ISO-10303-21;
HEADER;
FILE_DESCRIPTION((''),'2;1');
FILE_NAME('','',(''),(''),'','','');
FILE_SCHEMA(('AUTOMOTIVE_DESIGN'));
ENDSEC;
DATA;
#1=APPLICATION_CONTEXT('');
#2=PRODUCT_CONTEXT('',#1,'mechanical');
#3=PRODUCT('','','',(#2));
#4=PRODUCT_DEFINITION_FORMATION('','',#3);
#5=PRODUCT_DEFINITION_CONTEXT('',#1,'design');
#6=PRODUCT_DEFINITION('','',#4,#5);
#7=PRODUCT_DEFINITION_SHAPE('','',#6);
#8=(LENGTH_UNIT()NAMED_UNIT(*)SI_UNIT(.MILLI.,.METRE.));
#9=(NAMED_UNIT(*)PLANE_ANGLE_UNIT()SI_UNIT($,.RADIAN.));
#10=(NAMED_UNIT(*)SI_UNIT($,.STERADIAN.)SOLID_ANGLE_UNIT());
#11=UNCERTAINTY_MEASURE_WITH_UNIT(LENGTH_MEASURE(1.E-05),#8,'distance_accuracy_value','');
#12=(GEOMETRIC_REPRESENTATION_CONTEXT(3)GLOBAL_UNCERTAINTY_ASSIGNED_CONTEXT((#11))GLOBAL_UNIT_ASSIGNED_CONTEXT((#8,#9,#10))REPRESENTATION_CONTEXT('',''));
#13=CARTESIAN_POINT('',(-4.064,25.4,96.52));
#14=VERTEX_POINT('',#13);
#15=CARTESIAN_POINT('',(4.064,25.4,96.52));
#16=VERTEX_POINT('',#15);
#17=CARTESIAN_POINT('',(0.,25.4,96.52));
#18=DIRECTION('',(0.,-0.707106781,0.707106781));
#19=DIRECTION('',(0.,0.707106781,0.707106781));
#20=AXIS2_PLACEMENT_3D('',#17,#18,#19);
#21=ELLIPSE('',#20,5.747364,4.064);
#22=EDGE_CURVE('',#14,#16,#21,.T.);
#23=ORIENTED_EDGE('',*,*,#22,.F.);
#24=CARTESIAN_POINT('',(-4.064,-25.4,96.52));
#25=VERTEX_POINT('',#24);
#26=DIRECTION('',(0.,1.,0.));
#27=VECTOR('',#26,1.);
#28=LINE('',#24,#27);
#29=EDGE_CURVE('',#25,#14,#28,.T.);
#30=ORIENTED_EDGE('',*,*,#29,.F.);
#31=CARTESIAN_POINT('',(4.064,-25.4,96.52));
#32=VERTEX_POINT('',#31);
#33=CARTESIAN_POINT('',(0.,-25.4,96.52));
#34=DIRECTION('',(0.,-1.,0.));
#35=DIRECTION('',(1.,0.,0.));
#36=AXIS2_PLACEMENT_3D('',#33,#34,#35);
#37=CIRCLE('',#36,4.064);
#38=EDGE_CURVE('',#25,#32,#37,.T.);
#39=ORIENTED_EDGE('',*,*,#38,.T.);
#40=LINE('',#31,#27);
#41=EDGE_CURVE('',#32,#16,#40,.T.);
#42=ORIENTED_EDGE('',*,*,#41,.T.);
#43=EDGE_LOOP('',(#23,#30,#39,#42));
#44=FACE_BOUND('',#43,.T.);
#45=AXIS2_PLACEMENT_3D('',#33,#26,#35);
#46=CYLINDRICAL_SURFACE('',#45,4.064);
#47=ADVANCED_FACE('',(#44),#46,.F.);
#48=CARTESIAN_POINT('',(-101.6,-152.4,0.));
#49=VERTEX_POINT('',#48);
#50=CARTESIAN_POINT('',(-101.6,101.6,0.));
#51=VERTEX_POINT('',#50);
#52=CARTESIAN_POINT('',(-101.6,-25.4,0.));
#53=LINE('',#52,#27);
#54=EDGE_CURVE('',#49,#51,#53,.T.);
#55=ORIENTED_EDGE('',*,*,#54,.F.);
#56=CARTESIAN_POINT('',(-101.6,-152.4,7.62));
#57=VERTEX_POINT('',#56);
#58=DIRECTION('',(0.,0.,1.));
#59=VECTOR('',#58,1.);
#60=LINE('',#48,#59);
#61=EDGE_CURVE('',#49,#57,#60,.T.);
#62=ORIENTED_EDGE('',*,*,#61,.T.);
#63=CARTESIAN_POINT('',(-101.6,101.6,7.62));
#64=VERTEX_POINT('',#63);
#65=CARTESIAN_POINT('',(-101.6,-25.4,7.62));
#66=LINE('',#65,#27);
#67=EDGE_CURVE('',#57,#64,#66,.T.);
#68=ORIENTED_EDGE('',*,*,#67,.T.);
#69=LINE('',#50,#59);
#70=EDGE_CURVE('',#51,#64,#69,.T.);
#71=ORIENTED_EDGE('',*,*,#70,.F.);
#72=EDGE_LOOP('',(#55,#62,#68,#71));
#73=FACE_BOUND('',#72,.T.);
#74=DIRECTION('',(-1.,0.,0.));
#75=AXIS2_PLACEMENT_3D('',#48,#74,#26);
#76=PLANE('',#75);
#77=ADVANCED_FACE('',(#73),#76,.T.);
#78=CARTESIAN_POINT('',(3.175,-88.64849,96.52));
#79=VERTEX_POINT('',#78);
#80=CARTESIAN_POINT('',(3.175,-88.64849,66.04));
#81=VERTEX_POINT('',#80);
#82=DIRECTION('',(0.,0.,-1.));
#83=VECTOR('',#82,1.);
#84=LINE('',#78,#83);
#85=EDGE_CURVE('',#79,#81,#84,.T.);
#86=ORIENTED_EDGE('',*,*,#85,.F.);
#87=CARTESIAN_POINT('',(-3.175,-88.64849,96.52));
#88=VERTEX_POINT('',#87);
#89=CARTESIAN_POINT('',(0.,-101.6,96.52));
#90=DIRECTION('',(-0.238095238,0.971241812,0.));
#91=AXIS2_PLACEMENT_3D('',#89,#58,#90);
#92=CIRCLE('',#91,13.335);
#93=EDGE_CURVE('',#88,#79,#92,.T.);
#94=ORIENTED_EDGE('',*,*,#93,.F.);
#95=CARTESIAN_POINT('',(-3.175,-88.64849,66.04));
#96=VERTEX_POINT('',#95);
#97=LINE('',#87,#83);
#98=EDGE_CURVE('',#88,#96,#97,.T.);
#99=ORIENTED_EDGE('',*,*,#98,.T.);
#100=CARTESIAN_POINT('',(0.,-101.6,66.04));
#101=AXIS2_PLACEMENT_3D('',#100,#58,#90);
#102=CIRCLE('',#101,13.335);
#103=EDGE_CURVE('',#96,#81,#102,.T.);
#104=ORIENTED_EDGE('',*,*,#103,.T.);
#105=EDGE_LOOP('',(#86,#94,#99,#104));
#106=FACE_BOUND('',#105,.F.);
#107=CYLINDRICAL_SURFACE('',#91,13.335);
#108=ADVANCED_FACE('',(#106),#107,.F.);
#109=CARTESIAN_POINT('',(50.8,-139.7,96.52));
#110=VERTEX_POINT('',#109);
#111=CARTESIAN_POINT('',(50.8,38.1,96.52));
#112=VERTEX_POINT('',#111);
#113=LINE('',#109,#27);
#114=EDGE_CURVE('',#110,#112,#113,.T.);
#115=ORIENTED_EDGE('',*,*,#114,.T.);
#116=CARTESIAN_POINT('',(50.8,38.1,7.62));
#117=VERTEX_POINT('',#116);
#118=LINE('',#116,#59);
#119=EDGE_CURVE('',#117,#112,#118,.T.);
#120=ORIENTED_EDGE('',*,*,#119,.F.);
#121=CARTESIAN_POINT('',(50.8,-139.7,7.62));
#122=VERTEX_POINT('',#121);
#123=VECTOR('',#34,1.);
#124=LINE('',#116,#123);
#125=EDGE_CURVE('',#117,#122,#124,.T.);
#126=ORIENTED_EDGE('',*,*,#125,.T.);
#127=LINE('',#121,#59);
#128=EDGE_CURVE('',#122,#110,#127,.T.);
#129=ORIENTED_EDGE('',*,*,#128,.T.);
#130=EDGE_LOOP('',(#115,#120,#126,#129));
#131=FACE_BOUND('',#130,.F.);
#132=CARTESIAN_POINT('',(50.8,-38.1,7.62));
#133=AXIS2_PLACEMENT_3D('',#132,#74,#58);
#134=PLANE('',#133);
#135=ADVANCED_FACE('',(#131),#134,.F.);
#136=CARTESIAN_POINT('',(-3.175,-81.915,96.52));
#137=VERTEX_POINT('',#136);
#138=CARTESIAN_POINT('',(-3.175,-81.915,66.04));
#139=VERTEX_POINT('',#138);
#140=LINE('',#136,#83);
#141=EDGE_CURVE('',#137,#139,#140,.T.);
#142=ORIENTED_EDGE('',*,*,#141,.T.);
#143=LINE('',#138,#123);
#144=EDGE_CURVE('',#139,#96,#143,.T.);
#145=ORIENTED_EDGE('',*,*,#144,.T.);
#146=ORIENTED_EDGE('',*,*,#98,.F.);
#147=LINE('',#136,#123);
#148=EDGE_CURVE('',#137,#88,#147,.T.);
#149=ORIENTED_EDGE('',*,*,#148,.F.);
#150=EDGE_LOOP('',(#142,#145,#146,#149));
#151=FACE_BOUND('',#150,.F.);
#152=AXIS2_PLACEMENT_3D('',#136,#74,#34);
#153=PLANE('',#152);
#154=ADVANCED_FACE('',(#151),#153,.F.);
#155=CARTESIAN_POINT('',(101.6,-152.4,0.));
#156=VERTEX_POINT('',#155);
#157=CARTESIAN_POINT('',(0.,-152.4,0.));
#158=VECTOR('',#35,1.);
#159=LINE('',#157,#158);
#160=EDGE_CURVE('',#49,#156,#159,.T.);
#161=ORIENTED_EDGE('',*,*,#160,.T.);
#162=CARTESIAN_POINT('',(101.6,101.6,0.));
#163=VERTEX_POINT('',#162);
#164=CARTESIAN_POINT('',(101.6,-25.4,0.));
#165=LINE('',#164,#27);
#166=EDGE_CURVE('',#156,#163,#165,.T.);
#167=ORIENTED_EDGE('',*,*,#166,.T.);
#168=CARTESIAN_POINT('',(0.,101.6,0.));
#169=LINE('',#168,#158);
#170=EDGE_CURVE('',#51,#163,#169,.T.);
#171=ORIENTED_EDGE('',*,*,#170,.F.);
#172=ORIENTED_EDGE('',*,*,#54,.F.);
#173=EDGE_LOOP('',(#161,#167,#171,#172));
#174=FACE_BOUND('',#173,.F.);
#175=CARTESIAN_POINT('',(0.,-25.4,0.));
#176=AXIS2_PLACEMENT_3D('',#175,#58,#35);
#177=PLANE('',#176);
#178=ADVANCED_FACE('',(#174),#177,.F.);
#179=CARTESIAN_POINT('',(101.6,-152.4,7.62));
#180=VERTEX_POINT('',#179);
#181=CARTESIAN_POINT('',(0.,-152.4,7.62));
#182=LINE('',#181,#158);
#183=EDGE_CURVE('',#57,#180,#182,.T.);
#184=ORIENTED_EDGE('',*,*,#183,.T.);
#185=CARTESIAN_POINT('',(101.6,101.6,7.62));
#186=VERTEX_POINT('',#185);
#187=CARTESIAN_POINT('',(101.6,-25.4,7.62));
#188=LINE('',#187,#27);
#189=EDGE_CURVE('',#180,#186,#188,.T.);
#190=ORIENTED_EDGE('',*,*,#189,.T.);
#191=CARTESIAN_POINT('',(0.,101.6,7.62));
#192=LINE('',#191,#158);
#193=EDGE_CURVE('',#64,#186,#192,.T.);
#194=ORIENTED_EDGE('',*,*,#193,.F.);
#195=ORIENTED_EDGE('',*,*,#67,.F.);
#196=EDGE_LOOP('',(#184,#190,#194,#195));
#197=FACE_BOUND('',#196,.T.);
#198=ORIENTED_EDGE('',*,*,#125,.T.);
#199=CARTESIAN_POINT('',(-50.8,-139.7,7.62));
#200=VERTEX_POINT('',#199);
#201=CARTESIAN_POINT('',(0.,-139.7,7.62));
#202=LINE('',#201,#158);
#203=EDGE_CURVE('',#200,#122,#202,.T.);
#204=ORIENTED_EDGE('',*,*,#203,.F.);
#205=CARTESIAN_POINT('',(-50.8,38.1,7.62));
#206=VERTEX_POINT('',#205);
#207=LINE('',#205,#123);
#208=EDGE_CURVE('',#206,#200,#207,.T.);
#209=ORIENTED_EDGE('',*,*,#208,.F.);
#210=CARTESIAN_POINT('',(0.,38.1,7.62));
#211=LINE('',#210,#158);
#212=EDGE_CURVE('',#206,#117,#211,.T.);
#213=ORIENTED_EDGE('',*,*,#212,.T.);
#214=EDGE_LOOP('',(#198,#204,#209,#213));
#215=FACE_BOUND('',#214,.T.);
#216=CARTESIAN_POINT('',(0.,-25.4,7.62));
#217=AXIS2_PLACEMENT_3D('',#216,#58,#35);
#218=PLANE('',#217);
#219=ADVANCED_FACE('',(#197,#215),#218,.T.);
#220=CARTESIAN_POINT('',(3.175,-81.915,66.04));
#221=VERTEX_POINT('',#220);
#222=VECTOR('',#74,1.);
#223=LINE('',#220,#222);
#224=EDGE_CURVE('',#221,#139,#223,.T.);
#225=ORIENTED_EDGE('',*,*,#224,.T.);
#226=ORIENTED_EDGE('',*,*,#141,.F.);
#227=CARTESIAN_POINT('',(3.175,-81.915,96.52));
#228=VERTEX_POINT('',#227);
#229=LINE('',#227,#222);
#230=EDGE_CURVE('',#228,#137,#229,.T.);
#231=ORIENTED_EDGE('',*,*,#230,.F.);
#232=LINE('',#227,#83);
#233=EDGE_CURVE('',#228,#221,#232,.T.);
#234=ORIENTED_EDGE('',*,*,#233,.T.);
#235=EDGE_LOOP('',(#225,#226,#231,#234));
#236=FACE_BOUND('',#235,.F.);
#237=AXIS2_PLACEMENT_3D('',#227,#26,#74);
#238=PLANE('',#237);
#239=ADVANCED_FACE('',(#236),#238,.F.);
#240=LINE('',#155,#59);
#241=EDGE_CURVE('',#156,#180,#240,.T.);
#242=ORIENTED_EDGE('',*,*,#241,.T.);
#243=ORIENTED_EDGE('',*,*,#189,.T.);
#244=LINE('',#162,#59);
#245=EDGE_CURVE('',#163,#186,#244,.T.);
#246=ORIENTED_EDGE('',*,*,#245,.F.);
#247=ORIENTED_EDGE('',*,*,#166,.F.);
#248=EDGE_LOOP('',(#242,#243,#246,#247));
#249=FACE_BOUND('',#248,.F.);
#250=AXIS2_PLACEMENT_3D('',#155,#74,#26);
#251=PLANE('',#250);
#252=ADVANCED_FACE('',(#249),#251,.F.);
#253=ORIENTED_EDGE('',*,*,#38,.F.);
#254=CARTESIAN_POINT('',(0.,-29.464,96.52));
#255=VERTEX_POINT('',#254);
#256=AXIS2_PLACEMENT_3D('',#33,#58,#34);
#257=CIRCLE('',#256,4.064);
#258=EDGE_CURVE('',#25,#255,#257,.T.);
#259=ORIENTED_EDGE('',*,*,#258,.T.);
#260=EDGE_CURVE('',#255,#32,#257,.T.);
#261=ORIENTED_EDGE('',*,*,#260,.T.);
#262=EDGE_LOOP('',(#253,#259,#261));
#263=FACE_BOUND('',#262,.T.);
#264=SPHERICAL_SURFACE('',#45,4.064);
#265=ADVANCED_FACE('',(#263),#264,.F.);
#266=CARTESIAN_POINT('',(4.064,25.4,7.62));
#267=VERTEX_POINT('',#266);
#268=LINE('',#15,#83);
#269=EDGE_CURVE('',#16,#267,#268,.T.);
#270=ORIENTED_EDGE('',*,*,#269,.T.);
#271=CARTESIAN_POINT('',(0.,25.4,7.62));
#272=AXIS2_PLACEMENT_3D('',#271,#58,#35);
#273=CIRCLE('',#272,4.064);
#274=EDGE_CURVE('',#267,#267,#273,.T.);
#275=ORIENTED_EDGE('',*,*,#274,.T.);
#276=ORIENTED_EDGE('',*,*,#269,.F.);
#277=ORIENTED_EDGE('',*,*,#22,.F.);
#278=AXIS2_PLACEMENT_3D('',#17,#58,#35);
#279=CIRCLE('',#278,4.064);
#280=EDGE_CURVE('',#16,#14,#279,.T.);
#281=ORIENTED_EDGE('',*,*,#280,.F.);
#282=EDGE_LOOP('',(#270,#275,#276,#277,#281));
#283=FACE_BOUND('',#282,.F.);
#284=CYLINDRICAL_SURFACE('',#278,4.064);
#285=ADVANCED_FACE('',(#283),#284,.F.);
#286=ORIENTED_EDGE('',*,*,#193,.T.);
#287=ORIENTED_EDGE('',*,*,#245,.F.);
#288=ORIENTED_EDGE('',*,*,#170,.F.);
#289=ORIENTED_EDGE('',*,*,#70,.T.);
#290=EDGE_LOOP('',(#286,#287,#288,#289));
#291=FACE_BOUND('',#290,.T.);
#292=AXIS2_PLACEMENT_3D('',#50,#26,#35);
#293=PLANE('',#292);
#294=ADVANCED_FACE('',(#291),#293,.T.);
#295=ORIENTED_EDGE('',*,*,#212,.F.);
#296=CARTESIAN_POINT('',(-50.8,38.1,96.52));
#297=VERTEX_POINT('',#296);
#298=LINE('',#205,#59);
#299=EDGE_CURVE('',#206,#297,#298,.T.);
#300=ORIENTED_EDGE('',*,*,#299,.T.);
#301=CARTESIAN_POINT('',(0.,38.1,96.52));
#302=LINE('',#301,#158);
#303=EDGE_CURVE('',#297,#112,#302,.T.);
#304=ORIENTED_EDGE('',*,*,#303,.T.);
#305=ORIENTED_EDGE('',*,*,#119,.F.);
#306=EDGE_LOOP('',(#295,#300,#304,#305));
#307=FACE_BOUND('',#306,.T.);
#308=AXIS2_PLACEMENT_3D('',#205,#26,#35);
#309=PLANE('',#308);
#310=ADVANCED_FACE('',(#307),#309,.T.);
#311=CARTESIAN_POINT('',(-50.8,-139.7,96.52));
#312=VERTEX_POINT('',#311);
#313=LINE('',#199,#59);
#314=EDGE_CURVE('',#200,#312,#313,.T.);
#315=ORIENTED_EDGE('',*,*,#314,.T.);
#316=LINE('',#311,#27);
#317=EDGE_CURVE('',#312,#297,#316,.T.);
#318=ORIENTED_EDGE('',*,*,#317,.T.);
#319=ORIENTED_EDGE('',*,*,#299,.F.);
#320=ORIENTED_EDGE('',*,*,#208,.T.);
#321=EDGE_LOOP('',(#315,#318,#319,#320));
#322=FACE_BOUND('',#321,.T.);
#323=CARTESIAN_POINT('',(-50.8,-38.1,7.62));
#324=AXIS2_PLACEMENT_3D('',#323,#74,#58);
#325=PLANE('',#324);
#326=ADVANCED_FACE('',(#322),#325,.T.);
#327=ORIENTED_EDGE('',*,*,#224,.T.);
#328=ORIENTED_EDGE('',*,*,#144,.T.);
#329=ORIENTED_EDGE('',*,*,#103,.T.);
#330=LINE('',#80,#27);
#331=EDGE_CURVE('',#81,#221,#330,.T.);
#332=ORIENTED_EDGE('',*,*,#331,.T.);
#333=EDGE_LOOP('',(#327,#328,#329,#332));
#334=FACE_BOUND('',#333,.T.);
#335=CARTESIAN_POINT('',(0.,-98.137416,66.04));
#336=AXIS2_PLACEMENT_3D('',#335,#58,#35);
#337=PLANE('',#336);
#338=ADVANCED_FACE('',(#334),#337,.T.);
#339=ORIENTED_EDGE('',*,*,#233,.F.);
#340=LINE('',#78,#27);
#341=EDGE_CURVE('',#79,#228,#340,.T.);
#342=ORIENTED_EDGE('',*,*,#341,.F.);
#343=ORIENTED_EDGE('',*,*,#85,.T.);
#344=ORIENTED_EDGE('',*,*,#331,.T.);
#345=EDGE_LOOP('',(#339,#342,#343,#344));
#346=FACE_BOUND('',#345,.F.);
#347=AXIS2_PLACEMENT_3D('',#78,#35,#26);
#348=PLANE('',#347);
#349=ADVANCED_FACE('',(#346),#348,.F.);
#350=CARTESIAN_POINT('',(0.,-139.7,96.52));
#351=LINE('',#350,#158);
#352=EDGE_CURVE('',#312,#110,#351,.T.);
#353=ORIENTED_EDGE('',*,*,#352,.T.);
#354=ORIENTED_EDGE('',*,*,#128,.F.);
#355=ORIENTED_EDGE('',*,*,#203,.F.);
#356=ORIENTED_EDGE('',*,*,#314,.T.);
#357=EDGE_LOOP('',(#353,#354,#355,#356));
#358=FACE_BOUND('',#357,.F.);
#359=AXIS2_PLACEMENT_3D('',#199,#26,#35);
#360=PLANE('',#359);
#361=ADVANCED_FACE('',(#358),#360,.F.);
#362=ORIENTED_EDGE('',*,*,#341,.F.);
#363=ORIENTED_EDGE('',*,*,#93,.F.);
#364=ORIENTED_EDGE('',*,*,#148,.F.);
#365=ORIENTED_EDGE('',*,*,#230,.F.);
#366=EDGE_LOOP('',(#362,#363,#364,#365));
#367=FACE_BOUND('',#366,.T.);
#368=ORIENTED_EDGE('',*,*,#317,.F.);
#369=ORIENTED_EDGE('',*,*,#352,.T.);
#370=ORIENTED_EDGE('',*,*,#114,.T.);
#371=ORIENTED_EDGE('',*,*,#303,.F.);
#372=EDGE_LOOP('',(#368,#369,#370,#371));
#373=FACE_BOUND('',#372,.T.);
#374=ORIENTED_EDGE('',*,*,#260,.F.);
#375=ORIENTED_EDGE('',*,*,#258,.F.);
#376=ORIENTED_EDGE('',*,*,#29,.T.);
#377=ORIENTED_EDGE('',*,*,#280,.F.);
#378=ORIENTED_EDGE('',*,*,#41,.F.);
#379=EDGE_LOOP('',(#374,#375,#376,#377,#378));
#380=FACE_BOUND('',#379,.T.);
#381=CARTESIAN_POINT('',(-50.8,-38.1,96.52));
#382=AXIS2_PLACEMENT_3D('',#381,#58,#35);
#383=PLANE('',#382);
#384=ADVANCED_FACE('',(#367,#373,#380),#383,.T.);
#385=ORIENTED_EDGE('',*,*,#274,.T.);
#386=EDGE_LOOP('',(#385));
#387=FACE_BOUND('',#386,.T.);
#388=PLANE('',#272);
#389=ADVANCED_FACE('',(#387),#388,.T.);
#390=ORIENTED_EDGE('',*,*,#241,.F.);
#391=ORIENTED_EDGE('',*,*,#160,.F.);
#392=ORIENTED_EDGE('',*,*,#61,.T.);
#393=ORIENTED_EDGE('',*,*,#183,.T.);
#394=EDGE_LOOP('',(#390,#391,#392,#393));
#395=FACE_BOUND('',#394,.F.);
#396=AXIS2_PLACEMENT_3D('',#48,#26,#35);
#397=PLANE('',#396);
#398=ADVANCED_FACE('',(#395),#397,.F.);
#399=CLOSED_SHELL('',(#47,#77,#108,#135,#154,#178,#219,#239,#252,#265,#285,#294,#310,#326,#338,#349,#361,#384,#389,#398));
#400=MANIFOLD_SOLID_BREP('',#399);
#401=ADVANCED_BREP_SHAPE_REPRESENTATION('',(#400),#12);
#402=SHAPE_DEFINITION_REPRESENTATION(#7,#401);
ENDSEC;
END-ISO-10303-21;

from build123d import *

# Parameters (mm, degrees)
F0_W      = 203.2
F0_H      = 254
F1_DEPTH  = 7.62
F2_W      = 101.6
F2_H      = 76.2
F3_DEPTH  = 88.9
F4_R      = 4.064
F5_DEPTH  = 88.9
F8_DEPTH  = 101.6
F10_DEPTH = 30.48


with BuildPart() as f1:
    # F0 (on Top) → F1 (new body)
    with BuildSketch(Plane.XY):
        with Locations((0, -25.4)):
            Rectangle(F0_W, F0_H)
    extrude(amount=F1_DEPTH)

    # F2 (on face) → F3 (join)
    with BuildSketch(Plane.XY.offset(7.62)):
        Rectangle(F2_W, F2_H)
    extrude(amount=F3_DEPTH)

    # F4 (on face) → F5 (cut)
    with BuildSketch(Plane.XY.offset(96.52)):
        with Locations((0, 25.4)):
            Circle(F4_R)
    extrude(amount=-F5_DEPTH, mode=Mode.SUBTRACT)

    # F6 (on face) → F7 (revolve, cut)
    with BuildSketch(Plane.XY.offset(96.52)):
        with BuildLine():
            ThreePointArc((0, -29.464), (2.8736819587, -28.2736819587), (4.064, -25.4))
            Line((4.064, -25.4), (4.064, 25.4))
            ThreePointArc((4.064, 25.4), (2.8736819587, 22.5263180413), (0, 21.336))
            Line((0, 21.336), (0, -29.464))
        make_face()
    revolve(axis=Axis((0, 0, 96.52), (0, -1, 0)), mode=Mode.SUBTRACT)

    # F8 (add): a face of the model
    f8_faces = [f1.faces().sort_by_distance(p)[0] for p in [
        (0, -38.1, 52.07),
    ]]
    extrude(f8_faces, amount=F8_DEPTH)

    # F9 (on face) → F10 (cut)
    with BuildSketch(Plane.XY.offset(96.52)):
        with BuildLine():
            Line((-3.175, -81.915), (-3.175, -88.6484904355))
            ThreePointArc((-3.175, -88.6484904355), (0, -114.935), (3.175, -88.6484904355))
            Line((3.175, -88.6484904355), (3.175, -81.915))
            Line((3.175, -81.915), (-3.175, -81.915))
        make_face()
    extrude(amount=-F10_DEPTH, mode=Mode.SUBTRACT)


solid = f1.part
